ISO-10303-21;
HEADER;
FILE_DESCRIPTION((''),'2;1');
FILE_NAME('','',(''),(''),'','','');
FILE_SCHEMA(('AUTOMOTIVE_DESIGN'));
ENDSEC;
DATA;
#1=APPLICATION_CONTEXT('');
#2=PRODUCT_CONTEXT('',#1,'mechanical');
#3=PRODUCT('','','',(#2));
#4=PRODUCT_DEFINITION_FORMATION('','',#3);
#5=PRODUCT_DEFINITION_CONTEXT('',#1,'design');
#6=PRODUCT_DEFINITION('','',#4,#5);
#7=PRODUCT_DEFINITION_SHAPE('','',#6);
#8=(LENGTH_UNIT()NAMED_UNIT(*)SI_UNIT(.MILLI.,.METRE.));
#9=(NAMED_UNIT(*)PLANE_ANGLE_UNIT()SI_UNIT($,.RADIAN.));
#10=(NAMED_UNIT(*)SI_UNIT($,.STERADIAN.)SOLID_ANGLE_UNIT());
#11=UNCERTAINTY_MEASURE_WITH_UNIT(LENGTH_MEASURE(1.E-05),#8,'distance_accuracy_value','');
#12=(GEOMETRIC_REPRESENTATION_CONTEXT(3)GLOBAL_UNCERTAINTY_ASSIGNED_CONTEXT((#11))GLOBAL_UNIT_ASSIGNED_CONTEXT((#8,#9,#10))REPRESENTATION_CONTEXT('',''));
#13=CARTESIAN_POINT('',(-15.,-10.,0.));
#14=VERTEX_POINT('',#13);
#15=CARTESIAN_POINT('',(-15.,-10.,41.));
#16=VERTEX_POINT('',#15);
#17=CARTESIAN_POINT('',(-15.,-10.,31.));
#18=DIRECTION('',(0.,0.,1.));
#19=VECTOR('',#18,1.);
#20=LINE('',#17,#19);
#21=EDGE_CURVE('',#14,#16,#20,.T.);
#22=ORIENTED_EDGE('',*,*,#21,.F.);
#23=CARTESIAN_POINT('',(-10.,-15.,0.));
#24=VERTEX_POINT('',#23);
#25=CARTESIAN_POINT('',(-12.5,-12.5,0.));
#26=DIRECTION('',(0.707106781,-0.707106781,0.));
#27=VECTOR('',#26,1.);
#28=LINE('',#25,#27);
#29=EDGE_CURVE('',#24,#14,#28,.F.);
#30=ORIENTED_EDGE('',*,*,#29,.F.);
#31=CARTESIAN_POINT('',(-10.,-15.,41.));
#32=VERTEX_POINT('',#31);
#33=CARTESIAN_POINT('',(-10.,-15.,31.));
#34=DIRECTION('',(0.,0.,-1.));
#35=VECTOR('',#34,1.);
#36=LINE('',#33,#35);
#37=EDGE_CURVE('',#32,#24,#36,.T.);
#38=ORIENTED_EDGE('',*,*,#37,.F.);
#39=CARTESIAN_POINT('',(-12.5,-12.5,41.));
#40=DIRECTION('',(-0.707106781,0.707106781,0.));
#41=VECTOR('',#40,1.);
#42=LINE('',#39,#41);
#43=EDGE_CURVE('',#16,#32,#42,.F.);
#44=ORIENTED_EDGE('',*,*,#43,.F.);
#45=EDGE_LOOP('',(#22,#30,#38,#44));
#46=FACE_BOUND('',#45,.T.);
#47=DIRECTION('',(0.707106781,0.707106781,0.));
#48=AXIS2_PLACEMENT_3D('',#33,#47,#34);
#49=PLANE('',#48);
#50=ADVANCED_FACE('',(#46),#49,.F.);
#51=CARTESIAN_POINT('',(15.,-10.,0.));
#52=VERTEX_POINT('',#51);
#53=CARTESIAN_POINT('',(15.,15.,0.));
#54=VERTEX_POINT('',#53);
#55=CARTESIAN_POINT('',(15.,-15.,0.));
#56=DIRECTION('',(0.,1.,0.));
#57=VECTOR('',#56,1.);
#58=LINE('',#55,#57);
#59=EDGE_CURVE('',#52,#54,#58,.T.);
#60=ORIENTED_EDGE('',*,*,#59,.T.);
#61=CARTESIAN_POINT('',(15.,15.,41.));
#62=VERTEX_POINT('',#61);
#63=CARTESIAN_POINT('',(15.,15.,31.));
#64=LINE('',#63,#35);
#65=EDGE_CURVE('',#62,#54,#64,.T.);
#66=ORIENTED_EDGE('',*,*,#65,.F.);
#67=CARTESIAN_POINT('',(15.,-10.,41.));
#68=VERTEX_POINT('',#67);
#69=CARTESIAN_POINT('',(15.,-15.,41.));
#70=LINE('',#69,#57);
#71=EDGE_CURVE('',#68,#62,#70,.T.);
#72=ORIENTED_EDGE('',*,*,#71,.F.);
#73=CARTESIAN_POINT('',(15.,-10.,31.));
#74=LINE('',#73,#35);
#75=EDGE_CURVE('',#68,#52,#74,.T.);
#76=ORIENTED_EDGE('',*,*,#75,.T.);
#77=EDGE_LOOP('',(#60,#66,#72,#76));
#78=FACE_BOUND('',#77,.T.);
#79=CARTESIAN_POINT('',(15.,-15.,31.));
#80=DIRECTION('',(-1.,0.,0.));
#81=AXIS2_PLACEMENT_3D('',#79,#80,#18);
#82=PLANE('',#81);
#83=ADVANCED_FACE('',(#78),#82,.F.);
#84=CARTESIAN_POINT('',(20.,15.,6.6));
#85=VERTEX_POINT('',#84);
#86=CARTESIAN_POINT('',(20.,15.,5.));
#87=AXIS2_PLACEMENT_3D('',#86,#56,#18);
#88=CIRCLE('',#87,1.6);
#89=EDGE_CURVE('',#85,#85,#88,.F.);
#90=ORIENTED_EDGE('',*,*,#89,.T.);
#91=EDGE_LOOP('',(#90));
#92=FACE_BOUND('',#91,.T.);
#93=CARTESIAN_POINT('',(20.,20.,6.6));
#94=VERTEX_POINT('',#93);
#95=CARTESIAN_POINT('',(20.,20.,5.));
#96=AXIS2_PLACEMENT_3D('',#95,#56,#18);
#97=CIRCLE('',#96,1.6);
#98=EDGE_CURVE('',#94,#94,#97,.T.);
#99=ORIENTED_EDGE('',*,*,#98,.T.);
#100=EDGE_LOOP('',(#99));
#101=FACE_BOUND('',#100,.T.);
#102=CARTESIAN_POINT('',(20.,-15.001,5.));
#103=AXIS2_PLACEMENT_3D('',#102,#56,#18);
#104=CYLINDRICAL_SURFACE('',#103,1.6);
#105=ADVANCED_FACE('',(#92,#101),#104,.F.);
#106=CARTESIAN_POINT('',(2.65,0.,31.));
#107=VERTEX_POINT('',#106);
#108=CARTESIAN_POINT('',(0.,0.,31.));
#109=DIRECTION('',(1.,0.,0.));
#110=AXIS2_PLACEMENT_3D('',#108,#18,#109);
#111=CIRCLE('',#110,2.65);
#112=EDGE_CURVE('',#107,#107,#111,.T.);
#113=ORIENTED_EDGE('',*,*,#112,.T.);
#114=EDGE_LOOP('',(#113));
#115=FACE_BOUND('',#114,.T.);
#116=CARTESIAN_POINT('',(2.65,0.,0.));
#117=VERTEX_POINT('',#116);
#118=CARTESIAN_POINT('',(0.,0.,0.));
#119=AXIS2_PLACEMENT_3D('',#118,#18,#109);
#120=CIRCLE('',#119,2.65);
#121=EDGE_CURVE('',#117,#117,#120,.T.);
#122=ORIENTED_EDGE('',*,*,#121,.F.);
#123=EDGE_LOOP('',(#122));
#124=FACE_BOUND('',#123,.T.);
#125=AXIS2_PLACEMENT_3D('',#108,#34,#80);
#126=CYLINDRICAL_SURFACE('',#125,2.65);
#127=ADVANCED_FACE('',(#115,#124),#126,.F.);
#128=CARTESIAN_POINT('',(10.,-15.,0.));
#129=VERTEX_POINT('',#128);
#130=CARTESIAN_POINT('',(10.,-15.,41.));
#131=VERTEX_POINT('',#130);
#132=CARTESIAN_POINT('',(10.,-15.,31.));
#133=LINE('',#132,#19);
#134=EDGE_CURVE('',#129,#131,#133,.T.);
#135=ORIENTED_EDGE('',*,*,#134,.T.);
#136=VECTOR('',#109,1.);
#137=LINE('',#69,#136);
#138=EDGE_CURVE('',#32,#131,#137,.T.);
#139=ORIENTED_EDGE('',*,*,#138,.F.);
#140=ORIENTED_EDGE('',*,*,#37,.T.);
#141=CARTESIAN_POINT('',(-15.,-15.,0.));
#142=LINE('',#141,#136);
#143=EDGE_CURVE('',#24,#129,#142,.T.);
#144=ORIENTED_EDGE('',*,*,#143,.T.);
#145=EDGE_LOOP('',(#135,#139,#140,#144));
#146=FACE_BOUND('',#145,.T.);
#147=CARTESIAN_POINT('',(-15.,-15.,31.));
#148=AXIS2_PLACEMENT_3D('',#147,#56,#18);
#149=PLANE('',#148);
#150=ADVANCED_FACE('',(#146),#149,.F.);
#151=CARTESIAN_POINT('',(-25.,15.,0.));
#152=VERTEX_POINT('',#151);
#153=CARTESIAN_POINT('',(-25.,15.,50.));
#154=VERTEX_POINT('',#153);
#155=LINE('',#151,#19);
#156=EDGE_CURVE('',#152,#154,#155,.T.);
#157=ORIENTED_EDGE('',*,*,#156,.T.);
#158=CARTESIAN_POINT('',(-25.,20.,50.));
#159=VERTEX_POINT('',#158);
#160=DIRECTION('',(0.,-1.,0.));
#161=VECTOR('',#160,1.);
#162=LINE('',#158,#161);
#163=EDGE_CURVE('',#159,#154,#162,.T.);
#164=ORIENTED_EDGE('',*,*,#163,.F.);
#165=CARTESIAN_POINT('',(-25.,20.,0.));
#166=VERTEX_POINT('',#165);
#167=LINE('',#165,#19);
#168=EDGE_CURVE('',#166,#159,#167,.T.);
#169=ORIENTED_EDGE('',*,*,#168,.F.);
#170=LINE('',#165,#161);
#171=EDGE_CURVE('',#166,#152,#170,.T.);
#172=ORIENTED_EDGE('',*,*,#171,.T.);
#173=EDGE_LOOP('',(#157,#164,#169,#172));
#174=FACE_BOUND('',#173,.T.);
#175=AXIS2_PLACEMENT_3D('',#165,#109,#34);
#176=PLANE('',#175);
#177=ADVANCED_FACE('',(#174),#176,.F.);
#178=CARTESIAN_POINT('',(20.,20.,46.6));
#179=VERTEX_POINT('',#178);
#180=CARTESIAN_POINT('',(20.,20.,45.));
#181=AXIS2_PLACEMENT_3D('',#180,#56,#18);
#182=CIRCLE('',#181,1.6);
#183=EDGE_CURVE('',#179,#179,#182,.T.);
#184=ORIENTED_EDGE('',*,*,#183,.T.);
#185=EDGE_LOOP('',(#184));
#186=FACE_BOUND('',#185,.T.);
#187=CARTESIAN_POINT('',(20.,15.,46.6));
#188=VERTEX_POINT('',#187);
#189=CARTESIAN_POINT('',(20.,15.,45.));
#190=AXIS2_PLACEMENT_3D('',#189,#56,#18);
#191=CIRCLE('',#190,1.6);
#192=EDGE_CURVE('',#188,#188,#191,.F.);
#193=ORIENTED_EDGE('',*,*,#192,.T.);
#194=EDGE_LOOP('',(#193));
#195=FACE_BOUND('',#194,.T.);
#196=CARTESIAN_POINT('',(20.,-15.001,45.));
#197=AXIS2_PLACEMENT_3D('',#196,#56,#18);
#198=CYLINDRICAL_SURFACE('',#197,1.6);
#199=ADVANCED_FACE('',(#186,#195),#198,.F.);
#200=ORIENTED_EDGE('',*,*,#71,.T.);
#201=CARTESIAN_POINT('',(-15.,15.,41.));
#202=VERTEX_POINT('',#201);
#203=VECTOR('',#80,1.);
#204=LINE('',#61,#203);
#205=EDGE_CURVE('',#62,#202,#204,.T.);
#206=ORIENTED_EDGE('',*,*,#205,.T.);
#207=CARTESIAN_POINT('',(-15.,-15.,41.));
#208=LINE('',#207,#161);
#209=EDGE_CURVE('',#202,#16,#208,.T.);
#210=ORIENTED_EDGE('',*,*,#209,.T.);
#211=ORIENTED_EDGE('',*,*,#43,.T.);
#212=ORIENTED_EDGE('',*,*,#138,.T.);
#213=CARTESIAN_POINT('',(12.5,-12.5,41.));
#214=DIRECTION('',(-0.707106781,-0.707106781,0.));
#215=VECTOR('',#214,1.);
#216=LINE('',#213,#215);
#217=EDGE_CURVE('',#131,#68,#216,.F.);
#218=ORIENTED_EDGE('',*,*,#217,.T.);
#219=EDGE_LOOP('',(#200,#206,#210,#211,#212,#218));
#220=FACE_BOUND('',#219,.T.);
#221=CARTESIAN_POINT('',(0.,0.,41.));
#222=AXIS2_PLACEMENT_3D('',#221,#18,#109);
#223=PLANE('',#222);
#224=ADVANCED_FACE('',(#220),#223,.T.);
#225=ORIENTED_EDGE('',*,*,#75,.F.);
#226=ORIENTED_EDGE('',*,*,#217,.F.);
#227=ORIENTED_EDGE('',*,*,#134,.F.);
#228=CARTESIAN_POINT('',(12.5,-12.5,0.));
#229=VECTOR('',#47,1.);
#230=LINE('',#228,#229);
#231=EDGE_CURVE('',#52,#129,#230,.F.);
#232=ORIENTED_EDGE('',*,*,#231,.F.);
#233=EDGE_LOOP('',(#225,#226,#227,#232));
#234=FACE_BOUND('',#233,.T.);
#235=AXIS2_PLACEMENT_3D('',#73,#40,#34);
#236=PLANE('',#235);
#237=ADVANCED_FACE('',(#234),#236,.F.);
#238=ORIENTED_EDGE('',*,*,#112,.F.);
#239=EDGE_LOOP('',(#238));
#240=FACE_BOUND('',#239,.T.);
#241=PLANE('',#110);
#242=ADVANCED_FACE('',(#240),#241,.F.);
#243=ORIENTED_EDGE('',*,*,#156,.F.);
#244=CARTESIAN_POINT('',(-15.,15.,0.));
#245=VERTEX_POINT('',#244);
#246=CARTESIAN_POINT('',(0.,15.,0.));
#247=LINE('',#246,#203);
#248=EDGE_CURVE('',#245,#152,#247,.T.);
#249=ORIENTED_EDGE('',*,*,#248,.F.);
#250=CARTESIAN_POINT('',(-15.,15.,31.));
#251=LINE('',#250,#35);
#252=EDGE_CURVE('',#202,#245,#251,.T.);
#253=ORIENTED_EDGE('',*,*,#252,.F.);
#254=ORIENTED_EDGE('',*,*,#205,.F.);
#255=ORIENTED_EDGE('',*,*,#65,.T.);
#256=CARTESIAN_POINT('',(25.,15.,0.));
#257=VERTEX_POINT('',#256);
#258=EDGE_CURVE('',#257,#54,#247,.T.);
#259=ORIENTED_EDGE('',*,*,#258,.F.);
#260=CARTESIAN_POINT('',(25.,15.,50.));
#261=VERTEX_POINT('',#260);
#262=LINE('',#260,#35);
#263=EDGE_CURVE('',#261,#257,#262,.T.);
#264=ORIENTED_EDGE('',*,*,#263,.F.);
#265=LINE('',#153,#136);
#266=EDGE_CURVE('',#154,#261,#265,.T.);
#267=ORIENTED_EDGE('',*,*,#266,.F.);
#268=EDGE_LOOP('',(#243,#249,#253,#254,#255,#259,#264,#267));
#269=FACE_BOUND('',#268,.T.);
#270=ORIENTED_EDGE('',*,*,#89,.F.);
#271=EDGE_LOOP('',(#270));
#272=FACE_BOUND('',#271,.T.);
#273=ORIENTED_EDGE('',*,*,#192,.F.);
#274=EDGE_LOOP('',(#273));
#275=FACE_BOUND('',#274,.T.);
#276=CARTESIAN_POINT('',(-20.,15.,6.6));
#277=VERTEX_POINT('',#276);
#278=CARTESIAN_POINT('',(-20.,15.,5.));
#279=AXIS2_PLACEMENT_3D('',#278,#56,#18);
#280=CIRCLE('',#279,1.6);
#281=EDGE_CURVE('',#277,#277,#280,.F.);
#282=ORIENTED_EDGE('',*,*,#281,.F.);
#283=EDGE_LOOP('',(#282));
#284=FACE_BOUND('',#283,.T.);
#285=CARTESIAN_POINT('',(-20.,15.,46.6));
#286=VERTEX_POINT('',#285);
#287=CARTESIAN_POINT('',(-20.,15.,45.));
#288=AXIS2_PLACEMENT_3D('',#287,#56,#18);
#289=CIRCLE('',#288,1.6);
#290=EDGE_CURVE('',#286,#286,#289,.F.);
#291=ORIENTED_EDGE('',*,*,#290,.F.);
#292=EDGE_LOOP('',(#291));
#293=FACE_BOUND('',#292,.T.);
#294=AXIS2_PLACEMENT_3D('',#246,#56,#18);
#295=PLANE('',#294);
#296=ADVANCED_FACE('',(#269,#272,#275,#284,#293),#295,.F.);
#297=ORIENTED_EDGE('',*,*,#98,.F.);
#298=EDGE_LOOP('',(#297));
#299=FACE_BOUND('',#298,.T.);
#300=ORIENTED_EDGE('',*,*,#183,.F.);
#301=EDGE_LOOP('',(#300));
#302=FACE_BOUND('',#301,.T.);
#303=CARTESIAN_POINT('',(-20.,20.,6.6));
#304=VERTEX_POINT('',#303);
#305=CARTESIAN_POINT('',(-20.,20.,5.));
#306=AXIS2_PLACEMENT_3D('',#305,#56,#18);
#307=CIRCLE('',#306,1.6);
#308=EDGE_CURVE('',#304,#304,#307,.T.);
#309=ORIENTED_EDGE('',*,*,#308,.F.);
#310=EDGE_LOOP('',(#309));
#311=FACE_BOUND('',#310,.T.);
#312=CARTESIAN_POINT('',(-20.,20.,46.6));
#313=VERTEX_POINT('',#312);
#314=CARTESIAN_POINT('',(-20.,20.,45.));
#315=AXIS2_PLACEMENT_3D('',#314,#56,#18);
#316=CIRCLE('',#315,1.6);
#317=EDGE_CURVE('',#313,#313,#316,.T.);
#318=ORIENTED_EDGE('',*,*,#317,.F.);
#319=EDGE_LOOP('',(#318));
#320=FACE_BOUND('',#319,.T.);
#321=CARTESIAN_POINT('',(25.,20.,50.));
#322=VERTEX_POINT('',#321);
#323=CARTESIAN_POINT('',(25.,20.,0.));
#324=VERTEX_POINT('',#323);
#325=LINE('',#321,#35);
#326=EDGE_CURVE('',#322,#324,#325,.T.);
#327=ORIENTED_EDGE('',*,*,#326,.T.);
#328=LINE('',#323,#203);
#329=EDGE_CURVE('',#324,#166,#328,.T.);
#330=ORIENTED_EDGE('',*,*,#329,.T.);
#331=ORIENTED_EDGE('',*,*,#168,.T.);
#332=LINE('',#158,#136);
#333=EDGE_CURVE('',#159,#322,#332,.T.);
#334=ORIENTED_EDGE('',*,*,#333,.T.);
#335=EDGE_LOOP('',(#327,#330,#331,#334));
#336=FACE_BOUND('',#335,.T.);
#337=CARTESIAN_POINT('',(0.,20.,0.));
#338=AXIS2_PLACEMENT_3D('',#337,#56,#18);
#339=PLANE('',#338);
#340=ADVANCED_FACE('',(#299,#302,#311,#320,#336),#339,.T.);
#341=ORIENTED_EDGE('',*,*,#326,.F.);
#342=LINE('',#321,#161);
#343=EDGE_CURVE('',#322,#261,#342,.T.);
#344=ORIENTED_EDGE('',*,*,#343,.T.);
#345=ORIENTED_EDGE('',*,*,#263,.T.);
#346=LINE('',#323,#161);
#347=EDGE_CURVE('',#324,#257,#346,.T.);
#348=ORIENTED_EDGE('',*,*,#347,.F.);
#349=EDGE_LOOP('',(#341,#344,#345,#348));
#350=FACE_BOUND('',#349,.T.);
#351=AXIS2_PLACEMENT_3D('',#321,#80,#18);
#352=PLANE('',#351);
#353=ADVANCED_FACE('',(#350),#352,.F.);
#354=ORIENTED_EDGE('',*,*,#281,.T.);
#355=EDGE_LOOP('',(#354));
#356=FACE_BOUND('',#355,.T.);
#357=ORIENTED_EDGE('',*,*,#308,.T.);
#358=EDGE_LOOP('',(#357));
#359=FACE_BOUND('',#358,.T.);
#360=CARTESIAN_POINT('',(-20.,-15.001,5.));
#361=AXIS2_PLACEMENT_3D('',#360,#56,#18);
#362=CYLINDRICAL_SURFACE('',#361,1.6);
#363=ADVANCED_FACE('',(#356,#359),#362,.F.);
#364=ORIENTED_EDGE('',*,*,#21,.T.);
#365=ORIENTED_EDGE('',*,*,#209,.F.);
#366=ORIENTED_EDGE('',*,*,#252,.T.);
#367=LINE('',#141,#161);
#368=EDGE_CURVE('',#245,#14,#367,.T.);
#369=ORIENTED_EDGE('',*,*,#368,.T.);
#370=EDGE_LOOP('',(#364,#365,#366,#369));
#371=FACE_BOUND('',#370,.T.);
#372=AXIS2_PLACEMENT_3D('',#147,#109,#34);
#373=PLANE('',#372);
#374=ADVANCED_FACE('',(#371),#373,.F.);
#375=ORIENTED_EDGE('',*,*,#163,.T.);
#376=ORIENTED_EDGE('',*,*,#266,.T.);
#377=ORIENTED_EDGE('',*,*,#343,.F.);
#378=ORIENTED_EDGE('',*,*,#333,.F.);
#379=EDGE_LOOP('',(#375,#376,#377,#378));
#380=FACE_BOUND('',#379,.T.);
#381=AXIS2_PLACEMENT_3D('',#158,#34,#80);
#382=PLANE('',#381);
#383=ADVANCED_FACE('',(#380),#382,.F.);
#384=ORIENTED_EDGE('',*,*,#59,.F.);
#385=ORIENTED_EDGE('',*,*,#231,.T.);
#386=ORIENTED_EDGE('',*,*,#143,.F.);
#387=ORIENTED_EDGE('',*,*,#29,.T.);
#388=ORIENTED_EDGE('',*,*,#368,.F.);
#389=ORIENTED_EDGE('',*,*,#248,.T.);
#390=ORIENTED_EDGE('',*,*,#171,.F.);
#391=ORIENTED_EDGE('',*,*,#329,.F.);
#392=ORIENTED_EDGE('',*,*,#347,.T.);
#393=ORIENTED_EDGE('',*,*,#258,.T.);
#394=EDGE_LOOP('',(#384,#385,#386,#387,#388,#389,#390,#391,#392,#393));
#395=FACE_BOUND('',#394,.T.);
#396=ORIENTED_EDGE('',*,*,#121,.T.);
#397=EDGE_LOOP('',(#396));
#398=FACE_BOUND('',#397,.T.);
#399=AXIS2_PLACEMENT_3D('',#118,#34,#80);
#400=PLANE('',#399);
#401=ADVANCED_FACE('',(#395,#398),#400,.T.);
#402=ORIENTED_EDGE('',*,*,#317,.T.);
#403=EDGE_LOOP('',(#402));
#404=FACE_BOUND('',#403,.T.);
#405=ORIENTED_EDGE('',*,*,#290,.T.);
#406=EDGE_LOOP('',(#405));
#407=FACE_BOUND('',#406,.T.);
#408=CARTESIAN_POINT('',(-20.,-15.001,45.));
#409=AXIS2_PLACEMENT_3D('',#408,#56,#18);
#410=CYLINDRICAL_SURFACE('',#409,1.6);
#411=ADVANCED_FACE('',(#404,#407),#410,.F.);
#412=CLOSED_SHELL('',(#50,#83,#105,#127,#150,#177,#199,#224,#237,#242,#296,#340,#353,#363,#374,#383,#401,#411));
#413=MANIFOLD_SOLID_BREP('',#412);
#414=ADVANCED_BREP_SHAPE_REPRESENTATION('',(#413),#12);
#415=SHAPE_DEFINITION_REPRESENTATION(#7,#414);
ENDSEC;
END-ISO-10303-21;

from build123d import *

# Parameters (mm, degrees)
SKETCH1_W           = 30
SKETCH1_H           = 30
SKETCH1_R           = 2.65
BOSS_EXTRUDE1_DEPTH = 31
SKETCH2_W           = 30
SKETCH2_H           = 30
BOSS_EXTRUDE2_DEPTH = 10
BOSS_EXTRUDE3_DEPTH = 5
CHAMFER1_SIZE       = 5
CUT_EXTRUDE1_REACH  = 37
SKETCH4_R           = 1.6


with BuildPart() as part:
    # Sketch1 → Boss-Extrude1 (new body)
    with BuildSketch(Plane.XY):
        Rectangle(SKETCH1_W, SKETCH1_H)
        Circle(SKETCH1_R, mode=Mode.SUBTRACT)
    extrude(amount=BOSS_EXTRUDE1_DEPTH)

    # Sketch2 → Boss-Extrude2 (add)
    with BuildSketch(Plane.XY.offset(31)):
        Rectangle(SKETCH2_W, SKETCH2_H)
    extrude(amount=BOSS_EXTRUDE2_DEPTH)

    # Sketch3 → Boss-Extrude3 (add)
    with BuildSketch(Plane(origin=(0, 15, 0), x_dir=(1, 0, 0), z_dir=(0, 1, 0))):
        Polygon((0, 0), (-25, 0), (-25, -50), (25, -50), (25, 0), align=None)
    extrude(amount=BOSS_EXTRUDE3_DEPTH)

    # Chamfer1
    chamfer1_edges = [part.edges().sort_by_distance(p)[0] for p in [
        (15, -15, 20.5),
        (-15, -15, 20.5),
    ]]
    chamfer(chamfer1_edges, length=CHAMFER1_SIZE)

    # Sketch4 → Cut-Extrude1 (cut, up to next)
    with BuildSketch(Plane(origin=(0, 20, 0), x_dir=(1, 0, 0), z_dir=(0, 1, 0)), mode=Mode.PRIVATE) as cut_extrude1_sk1:
        with Locations((-20, -5)):
            Circle(SKETCH4_R)
    cut_extrude1_tool1 = extrude(cut_extrude1_sk1.sketch, amount=-CUT_EXTRUDE1_REACH, mode=Mode.PRIVATE) & part.part
    add(cut_extrude1_tool1.solids().sort_by_distance((-20, 20, 5))[0], mode=Mode.SUBTRACT)
    # Sketch4 → Cut-Extrude1 (cut, up to next)
    with BuildSketch(Plane(origin=(0, 20, 0), x_dir=(1, 0, 0), z_dir=(0, 1, 0)), mode=Mode.PRIVATE) as cut_extrude1_sk2:
        with Locations((20, -5)):
            Circle(SKETCH4_R)
    cut_extrude1_tool2 = extrude(cut_extrude1_sk2.sketch, amount=-CUT_EXTRUDE1_REACH, mode=Mode.PRIVATE) & part.part
    add(cut_extrude1_tool2.solids().sort_by_distance((20, 20, 5))[0], mode=Mode.SUBTRACT)
    # Sketch4 → Cut-Extrude1 (cut, up to next)
    with BuildSketch(Plane(origin=(0, 20, 0), x_dir=(1, 0, 0), z_dir=(0, 1, 0)), mode=Mode.PRIVATE) as cut_extrude1_sk3:
        with Locations((20, -45)):
            Circle(SKETCH4_R)
    cut_extrude1_tool3 = extrude(cut_extrude1_sk3.sketch, amount=-CUT_EXTRUDE1_REACH, mode=Mode.PRIVATE) & part.part
    add(cut_extrude1_tool3.solids().sort_by_distance((20, 20, 45))[0], mode=Mode.SUBTRACT)
    # Sketch4 → Cut-Extrude1 (cut, up to next)
    with BuildSketch(Plane(origin=(0, 20, 0), x_dir=(1, 0, 0), z_dir=(0, 1, 0)), mode=Mode.PRIVATE) as cut_extrude1_sk4:
        with Locations((-20, -45)):
            Circle(SKETCH4_R)
    cut_extrude1_tool4 = extrude(cut_extrude1_sk4.sketch, amount=-CUT_EXTRUDE1_REACH, mode=Mode.PRIVATE) & part.part
    add(cut_extrude1_tool4.solids().sort_by_distance((-20, 20, 45))[0], mode=Mode.SUBTRACT)


solid = part.part
